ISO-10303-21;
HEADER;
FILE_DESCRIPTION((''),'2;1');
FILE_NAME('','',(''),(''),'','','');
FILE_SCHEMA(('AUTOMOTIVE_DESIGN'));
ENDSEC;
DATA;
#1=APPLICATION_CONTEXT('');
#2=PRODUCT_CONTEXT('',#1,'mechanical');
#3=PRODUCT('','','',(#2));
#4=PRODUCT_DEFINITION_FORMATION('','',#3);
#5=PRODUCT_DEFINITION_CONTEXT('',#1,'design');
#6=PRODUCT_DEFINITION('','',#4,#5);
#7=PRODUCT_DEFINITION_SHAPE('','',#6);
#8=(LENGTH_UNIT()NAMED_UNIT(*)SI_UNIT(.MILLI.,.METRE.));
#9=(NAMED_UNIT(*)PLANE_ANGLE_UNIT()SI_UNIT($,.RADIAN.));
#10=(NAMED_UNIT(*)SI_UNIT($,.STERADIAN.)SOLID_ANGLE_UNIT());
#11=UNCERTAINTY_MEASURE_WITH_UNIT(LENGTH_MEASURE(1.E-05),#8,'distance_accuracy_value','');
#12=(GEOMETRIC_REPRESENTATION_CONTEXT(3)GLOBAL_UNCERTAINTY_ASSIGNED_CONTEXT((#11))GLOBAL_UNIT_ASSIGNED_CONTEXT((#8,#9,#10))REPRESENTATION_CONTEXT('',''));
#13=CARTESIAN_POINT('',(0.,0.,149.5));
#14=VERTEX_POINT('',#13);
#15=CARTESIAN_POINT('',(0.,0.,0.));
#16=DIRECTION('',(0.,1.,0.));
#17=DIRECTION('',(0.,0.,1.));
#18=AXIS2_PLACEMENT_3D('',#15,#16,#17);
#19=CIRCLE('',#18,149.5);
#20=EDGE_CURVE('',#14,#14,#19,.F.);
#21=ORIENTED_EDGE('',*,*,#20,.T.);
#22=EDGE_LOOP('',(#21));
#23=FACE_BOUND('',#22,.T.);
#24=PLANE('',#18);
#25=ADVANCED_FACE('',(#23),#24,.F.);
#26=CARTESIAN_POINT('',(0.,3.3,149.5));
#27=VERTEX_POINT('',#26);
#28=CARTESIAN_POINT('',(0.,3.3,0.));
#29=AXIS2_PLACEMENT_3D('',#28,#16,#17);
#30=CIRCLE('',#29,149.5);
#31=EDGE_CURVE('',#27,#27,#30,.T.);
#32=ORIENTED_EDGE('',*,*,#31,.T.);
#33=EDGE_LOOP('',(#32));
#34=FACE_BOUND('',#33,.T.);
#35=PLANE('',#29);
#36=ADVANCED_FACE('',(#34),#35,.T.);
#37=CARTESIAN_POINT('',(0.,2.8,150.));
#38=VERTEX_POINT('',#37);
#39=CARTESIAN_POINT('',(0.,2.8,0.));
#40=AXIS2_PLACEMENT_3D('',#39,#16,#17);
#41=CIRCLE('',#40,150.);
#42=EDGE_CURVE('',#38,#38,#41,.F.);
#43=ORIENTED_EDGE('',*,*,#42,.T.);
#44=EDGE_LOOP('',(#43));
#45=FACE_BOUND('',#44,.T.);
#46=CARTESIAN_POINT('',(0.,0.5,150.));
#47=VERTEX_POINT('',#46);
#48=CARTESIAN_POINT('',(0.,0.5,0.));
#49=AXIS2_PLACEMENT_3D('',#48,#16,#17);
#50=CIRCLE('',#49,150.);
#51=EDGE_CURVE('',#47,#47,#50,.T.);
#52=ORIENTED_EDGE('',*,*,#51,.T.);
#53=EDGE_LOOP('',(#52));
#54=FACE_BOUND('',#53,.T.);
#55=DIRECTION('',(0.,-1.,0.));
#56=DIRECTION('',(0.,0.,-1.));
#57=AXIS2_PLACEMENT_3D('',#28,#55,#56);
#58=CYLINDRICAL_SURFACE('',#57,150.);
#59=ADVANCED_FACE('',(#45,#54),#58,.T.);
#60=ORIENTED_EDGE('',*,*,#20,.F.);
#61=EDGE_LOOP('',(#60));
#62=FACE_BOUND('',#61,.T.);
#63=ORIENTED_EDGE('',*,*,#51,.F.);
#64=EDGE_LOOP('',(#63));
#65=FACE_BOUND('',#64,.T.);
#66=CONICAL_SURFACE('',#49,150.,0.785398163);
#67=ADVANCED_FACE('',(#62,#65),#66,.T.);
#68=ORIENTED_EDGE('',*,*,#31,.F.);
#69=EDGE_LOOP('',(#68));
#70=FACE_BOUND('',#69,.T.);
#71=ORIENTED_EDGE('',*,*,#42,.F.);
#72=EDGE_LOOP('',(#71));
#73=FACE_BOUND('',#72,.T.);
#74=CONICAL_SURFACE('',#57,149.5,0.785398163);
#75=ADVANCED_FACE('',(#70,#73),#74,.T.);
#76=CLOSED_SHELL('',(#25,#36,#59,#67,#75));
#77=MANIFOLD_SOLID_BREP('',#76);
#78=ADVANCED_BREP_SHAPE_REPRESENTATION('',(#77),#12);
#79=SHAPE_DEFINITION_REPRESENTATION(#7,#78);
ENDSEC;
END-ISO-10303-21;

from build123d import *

# Parameters (mm, degrees)
SKETCH1_R           = 150
BOSS_EXTRUDE1_DEPTH = 3.3
CHAMFER1_SIZE       = 0.5


with BuildPart() as part:
    # Sketch1 → Boss-Extrude1 (new body)
    with BuildSketch(Plane(origin=(0, 0, 0), x_dir=(1, 0, 0), z_dir=(0, 1, 0))):
        with Locations(Location((0, 0, 0), (0, 0, 270))):
            Circle(SKETCH1_R)
    extrude(amount=BOSS_EXTRUDE1_DEPTH)

    # Chamfer1
    chamfer1_edges = [part.edges().sort_by_distance(p)[0] for p in [
        (0, 0, -150),
        (0, 3.3, -150),
    ]]
    chamfer(chamfer1_edges, length=CHAMFER1_SIZE)


solid = part.part
